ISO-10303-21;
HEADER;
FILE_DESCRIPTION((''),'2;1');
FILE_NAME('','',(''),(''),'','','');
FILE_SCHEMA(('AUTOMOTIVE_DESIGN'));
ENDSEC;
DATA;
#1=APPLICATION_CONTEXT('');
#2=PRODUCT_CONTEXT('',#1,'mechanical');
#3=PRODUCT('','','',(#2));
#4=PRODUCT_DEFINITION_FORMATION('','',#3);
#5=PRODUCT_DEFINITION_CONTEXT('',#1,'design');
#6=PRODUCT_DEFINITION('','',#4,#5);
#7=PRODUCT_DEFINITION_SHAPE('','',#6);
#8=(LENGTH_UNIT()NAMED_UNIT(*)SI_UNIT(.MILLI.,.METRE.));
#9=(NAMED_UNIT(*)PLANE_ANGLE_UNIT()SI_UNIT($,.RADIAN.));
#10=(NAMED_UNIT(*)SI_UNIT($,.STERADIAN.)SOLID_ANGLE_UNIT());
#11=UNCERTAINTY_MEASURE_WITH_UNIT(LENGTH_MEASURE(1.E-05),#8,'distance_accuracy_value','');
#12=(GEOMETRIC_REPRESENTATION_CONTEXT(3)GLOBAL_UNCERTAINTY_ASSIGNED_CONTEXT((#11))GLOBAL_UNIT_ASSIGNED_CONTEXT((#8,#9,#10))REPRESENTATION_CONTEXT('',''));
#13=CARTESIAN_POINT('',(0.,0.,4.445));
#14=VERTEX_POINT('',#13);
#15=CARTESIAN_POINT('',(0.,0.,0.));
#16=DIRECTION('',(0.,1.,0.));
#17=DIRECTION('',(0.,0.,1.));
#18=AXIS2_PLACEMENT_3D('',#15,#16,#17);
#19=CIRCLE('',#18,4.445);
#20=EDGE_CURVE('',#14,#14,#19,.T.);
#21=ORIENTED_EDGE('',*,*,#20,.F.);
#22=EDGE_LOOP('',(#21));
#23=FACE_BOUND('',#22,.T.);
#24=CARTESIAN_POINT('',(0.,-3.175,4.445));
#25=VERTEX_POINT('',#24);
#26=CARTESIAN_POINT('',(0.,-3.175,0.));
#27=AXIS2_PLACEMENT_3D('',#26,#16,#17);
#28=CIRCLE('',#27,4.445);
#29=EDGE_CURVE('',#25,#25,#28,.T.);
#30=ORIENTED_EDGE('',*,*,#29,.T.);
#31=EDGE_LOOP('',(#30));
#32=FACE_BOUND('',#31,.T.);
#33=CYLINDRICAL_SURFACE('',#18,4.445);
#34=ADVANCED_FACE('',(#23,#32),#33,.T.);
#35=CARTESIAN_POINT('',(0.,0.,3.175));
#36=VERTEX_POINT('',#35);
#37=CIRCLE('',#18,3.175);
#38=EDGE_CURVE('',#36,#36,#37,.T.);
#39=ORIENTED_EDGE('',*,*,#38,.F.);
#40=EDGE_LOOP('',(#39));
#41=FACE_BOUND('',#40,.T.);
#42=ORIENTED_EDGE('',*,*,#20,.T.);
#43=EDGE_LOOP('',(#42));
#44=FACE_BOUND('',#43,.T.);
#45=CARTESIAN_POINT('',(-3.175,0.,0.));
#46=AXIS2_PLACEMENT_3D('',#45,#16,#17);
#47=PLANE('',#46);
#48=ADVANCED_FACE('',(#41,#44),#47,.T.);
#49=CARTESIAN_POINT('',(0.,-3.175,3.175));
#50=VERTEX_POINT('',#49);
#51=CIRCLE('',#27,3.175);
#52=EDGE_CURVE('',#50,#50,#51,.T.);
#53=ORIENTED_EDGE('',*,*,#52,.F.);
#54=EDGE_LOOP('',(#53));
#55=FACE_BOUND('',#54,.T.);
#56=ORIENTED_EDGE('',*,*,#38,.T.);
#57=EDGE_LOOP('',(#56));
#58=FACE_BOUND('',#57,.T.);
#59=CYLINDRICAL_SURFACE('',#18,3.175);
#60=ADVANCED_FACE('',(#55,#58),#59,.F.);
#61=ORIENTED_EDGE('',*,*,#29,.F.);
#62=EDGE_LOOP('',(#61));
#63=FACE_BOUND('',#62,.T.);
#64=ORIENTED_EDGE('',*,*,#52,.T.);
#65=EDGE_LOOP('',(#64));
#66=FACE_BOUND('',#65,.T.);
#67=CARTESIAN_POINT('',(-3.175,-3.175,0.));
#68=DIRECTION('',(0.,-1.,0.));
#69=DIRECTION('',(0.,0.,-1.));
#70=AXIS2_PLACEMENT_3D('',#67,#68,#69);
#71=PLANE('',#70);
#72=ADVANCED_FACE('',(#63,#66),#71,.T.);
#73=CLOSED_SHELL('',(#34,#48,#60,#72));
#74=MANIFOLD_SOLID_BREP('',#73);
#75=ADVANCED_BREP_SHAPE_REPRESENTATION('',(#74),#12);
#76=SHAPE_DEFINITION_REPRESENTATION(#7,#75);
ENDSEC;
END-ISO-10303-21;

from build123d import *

# Parameters (mm, degrees)
SKETCH1_W = 1.27
SKETCH1_H = 3.175


with BuildPart() as part:
    # Sketch1 → Revolve1 (revolve)
    with BuildSketch(Plane.XY):
        with Locations((-3.81, -1.5875)):
            Rectangle(SKETCH1_W, SKETCH1_H)
    revolve(axis=Axis((0, 0, 0), (0, -1, 0)))


solid = part.part
